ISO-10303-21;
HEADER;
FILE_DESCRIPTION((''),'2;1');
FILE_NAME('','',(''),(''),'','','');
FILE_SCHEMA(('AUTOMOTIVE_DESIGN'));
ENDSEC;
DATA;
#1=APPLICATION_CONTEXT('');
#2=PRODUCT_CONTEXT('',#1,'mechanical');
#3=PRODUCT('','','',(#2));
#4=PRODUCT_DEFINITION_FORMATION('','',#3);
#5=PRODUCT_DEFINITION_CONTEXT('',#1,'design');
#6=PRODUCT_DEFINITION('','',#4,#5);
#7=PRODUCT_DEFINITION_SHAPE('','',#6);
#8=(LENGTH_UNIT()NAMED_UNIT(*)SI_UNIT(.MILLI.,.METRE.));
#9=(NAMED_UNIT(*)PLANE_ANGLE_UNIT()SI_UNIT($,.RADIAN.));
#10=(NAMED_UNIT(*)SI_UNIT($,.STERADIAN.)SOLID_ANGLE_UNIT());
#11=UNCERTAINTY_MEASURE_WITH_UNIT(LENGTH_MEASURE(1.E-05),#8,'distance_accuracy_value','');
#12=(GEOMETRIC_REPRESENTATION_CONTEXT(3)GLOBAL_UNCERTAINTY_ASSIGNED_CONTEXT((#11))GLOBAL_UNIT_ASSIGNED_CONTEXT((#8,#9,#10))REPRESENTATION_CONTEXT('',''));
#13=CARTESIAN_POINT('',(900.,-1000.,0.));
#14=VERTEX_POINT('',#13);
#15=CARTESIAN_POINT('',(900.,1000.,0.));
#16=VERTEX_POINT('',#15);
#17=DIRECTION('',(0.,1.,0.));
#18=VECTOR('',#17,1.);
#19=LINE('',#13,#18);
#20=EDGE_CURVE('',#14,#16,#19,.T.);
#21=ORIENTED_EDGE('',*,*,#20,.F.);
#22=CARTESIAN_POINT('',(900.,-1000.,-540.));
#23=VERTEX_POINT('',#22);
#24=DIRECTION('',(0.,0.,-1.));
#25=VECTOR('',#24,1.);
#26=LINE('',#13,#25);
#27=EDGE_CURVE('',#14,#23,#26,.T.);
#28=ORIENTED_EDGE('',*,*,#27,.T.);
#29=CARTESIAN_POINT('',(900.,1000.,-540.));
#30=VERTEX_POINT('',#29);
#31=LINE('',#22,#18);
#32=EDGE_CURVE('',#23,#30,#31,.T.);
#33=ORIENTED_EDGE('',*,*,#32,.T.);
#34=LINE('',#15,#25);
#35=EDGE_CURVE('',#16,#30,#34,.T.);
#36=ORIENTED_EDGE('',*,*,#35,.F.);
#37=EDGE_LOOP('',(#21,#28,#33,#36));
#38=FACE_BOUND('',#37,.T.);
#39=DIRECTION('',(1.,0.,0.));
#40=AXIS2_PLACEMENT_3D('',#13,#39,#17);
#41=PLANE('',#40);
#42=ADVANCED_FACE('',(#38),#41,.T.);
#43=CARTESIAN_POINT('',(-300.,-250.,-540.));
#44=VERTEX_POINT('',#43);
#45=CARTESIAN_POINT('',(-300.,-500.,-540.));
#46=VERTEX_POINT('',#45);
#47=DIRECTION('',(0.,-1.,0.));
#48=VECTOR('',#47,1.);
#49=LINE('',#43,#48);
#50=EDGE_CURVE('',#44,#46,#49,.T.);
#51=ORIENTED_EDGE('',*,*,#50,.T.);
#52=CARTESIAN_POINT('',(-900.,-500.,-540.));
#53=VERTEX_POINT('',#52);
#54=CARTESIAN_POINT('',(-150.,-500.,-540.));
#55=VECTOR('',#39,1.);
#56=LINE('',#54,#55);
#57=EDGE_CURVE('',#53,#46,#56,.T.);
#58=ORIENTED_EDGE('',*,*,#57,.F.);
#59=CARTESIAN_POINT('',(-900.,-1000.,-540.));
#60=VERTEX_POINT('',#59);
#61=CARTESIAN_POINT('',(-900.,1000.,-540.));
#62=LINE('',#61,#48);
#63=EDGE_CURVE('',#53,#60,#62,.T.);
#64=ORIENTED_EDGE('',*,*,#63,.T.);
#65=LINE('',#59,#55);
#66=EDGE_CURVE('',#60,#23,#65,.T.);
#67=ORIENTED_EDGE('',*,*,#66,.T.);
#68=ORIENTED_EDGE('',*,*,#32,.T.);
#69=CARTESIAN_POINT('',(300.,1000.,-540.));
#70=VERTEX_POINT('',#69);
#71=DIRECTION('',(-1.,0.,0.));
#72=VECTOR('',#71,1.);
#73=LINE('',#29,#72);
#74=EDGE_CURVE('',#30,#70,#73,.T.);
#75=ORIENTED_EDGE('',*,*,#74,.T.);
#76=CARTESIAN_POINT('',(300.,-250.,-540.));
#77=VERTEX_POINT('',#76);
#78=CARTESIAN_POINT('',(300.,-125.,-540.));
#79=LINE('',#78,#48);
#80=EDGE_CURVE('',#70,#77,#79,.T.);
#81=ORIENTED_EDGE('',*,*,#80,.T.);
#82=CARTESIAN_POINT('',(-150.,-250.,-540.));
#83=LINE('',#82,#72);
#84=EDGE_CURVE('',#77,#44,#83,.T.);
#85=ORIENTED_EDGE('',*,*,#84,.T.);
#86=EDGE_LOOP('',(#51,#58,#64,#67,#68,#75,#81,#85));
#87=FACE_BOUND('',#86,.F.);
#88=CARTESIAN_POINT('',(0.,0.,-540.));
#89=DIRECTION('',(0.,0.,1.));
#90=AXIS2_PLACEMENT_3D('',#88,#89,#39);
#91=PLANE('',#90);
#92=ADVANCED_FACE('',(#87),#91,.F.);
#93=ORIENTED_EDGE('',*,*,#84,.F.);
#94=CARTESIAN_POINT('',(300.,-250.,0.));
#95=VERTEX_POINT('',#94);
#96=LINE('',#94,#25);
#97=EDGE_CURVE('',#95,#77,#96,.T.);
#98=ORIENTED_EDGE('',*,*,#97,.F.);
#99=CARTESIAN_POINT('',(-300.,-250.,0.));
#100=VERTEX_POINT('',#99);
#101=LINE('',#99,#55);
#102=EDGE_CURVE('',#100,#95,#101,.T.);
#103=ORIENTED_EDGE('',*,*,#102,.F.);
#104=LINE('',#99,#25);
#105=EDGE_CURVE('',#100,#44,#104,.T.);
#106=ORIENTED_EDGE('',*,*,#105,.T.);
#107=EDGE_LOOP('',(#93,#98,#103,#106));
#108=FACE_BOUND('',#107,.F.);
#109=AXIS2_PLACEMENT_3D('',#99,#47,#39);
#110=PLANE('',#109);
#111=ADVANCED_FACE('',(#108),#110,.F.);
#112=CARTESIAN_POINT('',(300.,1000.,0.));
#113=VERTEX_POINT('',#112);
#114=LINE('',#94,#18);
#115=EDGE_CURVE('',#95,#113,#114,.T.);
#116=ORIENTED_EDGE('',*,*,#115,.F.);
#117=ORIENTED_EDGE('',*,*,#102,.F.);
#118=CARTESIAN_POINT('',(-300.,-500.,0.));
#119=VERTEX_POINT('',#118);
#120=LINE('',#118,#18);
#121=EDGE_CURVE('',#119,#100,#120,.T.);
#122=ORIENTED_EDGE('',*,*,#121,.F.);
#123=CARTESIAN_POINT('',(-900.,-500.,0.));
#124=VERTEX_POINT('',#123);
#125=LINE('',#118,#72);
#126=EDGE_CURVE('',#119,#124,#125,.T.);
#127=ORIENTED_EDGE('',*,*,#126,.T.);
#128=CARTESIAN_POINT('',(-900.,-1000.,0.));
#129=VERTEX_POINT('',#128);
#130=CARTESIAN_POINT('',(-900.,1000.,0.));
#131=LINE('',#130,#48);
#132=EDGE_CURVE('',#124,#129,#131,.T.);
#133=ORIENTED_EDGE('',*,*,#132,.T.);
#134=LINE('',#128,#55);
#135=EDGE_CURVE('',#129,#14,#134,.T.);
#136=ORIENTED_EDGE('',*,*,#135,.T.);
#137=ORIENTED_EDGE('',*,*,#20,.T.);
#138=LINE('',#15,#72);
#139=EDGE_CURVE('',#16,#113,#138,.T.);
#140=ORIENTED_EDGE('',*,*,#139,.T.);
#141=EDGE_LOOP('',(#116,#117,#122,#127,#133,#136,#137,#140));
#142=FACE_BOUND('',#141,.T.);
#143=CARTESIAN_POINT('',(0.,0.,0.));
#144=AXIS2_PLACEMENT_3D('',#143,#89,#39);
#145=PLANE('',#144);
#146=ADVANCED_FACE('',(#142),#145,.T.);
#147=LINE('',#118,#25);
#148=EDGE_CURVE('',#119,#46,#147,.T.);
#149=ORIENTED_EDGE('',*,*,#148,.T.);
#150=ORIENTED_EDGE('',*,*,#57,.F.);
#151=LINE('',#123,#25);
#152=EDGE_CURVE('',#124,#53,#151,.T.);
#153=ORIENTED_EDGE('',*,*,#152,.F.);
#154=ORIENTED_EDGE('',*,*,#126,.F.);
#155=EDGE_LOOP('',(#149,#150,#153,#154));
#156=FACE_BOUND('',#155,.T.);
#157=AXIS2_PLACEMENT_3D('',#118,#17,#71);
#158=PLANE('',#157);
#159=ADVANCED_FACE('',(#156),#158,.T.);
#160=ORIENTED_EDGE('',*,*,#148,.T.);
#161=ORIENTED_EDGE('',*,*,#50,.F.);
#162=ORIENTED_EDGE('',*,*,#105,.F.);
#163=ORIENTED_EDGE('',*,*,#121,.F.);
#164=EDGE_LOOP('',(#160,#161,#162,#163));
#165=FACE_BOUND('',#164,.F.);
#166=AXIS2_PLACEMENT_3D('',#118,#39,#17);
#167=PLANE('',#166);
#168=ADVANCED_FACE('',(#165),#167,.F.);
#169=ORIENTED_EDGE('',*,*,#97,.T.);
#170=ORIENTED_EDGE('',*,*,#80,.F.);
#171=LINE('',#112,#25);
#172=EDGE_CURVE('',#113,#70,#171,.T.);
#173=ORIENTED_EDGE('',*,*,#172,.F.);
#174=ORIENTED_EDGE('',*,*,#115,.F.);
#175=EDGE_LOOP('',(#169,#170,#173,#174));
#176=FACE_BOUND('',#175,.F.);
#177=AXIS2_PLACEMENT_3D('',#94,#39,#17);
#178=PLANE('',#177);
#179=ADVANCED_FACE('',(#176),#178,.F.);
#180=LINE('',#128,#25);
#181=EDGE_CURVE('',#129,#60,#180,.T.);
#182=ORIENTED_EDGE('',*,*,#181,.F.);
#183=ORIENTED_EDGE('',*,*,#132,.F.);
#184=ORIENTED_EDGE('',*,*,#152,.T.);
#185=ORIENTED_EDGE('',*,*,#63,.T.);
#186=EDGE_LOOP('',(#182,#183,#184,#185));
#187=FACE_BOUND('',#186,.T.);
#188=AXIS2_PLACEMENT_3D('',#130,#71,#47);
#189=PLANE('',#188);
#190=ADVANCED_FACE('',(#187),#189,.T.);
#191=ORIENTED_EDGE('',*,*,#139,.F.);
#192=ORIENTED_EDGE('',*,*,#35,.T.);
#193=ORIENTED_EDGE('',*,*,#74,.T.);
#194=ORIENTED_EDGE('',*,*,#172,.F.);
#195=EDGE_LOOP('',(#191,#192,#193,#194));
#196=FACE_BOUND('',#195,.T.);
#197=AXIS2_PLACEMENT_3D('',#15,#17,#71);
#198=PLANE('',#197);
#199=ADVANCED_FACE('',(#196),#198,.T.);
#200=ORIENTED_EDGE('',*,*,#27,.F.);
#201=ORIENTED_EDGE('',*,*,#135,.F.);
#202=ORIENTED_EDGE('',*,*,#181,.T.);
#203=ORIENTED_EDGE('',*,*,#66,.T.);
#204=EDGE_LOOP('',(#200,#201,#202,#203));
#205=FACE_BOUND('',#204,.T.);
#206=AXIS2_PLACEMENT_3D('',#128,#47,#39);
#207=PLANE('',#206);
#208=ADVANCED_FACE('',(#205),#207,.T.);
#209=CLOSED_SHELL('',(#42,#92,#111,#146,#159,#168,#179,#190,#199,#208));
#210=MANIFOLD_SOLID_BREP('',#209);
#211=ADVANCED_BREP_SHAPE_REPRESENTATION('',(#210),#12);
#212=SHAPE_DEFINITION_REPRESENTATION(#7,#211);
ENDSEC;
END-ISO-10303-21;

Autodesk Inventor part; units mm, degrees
ref_plane "YZ Plane" through (0, 0, 0) normal (1, 0, 0) x (0, 1, 0)
ref_plane "XZ Plane" through (0, 0, 0) normal (0, 1, 0) x (-1, 0, 0)
ref_plane "XY Plane" through (0, 0, 0) normal (0, 0, 1) x (1, 0, 0)
sketch "Sketch1" plane through (0, 0, 0) normal (0, 0, 1) x (1, 0, 0)
  line L0 (-900, -1000) -> (900, -1000)
  line L1 (900, -1000) -> (900, 1000)
  line L2 (900, 1000) -> (-900, 1000)
  line L3 (-900, 1000) -> (-900, -1000)
  line L4 (-900, -1000) -> (900, 1000) construction
  line L5 (900, -1000) -> (-900, 1000) construction
  point P0 (0, 0)
  dimension "d0" = 1000
  dimension "d1" = 900
extrude "Extrusion1" add sketch "Sketch1" against normal blind 540
sketch "Sketch2" plane through (0, 0, 0) normal (0, 0, 1) x (1, 0, 0)
  line L0 (-900, -1000) -> (900, -1000) projected
  line L1 (900, -1000) -> (900, 1000) projected
  line L2 (900, 1000) -> (-900, 1000) projected
  line L3 (-900, 1000) -> (-900, -1000) projected
  line L4 (900, -1000) -> (-900, -1000) projected
  line L5 (-900, -1000) -> (-900, -500)
  line L6 (-900, -1000) -> (-900, 1000) projected
  line L7 (-300, -500) -> (-300, -250)
  line L8 (-300, -250) -> (300, -250)
  line L9 (300, -250) -> (300, 1000)
  line L10 (-900, 1000) -> (-900, -500)
  line L11 (-300, -500) -> (-900, -500)
  point P0 (0, 0)
  point P1 (-300, -1000)
  point P2 (300, -1000)
  dimension "d4" = 600
  dimension "d5" = 600
  dimension "d6" = 600
  dimension "d7" = 500
  dimension "d8" = 1200
  dimension "d9" = 750
  dimension "d10" = 1500
extrude "Extrusion2" cut sketch "Sketch2" against normal up to next contours L3 L2 L9 L8 L7 L11
properties part number "data" material "ABS Plastic"
